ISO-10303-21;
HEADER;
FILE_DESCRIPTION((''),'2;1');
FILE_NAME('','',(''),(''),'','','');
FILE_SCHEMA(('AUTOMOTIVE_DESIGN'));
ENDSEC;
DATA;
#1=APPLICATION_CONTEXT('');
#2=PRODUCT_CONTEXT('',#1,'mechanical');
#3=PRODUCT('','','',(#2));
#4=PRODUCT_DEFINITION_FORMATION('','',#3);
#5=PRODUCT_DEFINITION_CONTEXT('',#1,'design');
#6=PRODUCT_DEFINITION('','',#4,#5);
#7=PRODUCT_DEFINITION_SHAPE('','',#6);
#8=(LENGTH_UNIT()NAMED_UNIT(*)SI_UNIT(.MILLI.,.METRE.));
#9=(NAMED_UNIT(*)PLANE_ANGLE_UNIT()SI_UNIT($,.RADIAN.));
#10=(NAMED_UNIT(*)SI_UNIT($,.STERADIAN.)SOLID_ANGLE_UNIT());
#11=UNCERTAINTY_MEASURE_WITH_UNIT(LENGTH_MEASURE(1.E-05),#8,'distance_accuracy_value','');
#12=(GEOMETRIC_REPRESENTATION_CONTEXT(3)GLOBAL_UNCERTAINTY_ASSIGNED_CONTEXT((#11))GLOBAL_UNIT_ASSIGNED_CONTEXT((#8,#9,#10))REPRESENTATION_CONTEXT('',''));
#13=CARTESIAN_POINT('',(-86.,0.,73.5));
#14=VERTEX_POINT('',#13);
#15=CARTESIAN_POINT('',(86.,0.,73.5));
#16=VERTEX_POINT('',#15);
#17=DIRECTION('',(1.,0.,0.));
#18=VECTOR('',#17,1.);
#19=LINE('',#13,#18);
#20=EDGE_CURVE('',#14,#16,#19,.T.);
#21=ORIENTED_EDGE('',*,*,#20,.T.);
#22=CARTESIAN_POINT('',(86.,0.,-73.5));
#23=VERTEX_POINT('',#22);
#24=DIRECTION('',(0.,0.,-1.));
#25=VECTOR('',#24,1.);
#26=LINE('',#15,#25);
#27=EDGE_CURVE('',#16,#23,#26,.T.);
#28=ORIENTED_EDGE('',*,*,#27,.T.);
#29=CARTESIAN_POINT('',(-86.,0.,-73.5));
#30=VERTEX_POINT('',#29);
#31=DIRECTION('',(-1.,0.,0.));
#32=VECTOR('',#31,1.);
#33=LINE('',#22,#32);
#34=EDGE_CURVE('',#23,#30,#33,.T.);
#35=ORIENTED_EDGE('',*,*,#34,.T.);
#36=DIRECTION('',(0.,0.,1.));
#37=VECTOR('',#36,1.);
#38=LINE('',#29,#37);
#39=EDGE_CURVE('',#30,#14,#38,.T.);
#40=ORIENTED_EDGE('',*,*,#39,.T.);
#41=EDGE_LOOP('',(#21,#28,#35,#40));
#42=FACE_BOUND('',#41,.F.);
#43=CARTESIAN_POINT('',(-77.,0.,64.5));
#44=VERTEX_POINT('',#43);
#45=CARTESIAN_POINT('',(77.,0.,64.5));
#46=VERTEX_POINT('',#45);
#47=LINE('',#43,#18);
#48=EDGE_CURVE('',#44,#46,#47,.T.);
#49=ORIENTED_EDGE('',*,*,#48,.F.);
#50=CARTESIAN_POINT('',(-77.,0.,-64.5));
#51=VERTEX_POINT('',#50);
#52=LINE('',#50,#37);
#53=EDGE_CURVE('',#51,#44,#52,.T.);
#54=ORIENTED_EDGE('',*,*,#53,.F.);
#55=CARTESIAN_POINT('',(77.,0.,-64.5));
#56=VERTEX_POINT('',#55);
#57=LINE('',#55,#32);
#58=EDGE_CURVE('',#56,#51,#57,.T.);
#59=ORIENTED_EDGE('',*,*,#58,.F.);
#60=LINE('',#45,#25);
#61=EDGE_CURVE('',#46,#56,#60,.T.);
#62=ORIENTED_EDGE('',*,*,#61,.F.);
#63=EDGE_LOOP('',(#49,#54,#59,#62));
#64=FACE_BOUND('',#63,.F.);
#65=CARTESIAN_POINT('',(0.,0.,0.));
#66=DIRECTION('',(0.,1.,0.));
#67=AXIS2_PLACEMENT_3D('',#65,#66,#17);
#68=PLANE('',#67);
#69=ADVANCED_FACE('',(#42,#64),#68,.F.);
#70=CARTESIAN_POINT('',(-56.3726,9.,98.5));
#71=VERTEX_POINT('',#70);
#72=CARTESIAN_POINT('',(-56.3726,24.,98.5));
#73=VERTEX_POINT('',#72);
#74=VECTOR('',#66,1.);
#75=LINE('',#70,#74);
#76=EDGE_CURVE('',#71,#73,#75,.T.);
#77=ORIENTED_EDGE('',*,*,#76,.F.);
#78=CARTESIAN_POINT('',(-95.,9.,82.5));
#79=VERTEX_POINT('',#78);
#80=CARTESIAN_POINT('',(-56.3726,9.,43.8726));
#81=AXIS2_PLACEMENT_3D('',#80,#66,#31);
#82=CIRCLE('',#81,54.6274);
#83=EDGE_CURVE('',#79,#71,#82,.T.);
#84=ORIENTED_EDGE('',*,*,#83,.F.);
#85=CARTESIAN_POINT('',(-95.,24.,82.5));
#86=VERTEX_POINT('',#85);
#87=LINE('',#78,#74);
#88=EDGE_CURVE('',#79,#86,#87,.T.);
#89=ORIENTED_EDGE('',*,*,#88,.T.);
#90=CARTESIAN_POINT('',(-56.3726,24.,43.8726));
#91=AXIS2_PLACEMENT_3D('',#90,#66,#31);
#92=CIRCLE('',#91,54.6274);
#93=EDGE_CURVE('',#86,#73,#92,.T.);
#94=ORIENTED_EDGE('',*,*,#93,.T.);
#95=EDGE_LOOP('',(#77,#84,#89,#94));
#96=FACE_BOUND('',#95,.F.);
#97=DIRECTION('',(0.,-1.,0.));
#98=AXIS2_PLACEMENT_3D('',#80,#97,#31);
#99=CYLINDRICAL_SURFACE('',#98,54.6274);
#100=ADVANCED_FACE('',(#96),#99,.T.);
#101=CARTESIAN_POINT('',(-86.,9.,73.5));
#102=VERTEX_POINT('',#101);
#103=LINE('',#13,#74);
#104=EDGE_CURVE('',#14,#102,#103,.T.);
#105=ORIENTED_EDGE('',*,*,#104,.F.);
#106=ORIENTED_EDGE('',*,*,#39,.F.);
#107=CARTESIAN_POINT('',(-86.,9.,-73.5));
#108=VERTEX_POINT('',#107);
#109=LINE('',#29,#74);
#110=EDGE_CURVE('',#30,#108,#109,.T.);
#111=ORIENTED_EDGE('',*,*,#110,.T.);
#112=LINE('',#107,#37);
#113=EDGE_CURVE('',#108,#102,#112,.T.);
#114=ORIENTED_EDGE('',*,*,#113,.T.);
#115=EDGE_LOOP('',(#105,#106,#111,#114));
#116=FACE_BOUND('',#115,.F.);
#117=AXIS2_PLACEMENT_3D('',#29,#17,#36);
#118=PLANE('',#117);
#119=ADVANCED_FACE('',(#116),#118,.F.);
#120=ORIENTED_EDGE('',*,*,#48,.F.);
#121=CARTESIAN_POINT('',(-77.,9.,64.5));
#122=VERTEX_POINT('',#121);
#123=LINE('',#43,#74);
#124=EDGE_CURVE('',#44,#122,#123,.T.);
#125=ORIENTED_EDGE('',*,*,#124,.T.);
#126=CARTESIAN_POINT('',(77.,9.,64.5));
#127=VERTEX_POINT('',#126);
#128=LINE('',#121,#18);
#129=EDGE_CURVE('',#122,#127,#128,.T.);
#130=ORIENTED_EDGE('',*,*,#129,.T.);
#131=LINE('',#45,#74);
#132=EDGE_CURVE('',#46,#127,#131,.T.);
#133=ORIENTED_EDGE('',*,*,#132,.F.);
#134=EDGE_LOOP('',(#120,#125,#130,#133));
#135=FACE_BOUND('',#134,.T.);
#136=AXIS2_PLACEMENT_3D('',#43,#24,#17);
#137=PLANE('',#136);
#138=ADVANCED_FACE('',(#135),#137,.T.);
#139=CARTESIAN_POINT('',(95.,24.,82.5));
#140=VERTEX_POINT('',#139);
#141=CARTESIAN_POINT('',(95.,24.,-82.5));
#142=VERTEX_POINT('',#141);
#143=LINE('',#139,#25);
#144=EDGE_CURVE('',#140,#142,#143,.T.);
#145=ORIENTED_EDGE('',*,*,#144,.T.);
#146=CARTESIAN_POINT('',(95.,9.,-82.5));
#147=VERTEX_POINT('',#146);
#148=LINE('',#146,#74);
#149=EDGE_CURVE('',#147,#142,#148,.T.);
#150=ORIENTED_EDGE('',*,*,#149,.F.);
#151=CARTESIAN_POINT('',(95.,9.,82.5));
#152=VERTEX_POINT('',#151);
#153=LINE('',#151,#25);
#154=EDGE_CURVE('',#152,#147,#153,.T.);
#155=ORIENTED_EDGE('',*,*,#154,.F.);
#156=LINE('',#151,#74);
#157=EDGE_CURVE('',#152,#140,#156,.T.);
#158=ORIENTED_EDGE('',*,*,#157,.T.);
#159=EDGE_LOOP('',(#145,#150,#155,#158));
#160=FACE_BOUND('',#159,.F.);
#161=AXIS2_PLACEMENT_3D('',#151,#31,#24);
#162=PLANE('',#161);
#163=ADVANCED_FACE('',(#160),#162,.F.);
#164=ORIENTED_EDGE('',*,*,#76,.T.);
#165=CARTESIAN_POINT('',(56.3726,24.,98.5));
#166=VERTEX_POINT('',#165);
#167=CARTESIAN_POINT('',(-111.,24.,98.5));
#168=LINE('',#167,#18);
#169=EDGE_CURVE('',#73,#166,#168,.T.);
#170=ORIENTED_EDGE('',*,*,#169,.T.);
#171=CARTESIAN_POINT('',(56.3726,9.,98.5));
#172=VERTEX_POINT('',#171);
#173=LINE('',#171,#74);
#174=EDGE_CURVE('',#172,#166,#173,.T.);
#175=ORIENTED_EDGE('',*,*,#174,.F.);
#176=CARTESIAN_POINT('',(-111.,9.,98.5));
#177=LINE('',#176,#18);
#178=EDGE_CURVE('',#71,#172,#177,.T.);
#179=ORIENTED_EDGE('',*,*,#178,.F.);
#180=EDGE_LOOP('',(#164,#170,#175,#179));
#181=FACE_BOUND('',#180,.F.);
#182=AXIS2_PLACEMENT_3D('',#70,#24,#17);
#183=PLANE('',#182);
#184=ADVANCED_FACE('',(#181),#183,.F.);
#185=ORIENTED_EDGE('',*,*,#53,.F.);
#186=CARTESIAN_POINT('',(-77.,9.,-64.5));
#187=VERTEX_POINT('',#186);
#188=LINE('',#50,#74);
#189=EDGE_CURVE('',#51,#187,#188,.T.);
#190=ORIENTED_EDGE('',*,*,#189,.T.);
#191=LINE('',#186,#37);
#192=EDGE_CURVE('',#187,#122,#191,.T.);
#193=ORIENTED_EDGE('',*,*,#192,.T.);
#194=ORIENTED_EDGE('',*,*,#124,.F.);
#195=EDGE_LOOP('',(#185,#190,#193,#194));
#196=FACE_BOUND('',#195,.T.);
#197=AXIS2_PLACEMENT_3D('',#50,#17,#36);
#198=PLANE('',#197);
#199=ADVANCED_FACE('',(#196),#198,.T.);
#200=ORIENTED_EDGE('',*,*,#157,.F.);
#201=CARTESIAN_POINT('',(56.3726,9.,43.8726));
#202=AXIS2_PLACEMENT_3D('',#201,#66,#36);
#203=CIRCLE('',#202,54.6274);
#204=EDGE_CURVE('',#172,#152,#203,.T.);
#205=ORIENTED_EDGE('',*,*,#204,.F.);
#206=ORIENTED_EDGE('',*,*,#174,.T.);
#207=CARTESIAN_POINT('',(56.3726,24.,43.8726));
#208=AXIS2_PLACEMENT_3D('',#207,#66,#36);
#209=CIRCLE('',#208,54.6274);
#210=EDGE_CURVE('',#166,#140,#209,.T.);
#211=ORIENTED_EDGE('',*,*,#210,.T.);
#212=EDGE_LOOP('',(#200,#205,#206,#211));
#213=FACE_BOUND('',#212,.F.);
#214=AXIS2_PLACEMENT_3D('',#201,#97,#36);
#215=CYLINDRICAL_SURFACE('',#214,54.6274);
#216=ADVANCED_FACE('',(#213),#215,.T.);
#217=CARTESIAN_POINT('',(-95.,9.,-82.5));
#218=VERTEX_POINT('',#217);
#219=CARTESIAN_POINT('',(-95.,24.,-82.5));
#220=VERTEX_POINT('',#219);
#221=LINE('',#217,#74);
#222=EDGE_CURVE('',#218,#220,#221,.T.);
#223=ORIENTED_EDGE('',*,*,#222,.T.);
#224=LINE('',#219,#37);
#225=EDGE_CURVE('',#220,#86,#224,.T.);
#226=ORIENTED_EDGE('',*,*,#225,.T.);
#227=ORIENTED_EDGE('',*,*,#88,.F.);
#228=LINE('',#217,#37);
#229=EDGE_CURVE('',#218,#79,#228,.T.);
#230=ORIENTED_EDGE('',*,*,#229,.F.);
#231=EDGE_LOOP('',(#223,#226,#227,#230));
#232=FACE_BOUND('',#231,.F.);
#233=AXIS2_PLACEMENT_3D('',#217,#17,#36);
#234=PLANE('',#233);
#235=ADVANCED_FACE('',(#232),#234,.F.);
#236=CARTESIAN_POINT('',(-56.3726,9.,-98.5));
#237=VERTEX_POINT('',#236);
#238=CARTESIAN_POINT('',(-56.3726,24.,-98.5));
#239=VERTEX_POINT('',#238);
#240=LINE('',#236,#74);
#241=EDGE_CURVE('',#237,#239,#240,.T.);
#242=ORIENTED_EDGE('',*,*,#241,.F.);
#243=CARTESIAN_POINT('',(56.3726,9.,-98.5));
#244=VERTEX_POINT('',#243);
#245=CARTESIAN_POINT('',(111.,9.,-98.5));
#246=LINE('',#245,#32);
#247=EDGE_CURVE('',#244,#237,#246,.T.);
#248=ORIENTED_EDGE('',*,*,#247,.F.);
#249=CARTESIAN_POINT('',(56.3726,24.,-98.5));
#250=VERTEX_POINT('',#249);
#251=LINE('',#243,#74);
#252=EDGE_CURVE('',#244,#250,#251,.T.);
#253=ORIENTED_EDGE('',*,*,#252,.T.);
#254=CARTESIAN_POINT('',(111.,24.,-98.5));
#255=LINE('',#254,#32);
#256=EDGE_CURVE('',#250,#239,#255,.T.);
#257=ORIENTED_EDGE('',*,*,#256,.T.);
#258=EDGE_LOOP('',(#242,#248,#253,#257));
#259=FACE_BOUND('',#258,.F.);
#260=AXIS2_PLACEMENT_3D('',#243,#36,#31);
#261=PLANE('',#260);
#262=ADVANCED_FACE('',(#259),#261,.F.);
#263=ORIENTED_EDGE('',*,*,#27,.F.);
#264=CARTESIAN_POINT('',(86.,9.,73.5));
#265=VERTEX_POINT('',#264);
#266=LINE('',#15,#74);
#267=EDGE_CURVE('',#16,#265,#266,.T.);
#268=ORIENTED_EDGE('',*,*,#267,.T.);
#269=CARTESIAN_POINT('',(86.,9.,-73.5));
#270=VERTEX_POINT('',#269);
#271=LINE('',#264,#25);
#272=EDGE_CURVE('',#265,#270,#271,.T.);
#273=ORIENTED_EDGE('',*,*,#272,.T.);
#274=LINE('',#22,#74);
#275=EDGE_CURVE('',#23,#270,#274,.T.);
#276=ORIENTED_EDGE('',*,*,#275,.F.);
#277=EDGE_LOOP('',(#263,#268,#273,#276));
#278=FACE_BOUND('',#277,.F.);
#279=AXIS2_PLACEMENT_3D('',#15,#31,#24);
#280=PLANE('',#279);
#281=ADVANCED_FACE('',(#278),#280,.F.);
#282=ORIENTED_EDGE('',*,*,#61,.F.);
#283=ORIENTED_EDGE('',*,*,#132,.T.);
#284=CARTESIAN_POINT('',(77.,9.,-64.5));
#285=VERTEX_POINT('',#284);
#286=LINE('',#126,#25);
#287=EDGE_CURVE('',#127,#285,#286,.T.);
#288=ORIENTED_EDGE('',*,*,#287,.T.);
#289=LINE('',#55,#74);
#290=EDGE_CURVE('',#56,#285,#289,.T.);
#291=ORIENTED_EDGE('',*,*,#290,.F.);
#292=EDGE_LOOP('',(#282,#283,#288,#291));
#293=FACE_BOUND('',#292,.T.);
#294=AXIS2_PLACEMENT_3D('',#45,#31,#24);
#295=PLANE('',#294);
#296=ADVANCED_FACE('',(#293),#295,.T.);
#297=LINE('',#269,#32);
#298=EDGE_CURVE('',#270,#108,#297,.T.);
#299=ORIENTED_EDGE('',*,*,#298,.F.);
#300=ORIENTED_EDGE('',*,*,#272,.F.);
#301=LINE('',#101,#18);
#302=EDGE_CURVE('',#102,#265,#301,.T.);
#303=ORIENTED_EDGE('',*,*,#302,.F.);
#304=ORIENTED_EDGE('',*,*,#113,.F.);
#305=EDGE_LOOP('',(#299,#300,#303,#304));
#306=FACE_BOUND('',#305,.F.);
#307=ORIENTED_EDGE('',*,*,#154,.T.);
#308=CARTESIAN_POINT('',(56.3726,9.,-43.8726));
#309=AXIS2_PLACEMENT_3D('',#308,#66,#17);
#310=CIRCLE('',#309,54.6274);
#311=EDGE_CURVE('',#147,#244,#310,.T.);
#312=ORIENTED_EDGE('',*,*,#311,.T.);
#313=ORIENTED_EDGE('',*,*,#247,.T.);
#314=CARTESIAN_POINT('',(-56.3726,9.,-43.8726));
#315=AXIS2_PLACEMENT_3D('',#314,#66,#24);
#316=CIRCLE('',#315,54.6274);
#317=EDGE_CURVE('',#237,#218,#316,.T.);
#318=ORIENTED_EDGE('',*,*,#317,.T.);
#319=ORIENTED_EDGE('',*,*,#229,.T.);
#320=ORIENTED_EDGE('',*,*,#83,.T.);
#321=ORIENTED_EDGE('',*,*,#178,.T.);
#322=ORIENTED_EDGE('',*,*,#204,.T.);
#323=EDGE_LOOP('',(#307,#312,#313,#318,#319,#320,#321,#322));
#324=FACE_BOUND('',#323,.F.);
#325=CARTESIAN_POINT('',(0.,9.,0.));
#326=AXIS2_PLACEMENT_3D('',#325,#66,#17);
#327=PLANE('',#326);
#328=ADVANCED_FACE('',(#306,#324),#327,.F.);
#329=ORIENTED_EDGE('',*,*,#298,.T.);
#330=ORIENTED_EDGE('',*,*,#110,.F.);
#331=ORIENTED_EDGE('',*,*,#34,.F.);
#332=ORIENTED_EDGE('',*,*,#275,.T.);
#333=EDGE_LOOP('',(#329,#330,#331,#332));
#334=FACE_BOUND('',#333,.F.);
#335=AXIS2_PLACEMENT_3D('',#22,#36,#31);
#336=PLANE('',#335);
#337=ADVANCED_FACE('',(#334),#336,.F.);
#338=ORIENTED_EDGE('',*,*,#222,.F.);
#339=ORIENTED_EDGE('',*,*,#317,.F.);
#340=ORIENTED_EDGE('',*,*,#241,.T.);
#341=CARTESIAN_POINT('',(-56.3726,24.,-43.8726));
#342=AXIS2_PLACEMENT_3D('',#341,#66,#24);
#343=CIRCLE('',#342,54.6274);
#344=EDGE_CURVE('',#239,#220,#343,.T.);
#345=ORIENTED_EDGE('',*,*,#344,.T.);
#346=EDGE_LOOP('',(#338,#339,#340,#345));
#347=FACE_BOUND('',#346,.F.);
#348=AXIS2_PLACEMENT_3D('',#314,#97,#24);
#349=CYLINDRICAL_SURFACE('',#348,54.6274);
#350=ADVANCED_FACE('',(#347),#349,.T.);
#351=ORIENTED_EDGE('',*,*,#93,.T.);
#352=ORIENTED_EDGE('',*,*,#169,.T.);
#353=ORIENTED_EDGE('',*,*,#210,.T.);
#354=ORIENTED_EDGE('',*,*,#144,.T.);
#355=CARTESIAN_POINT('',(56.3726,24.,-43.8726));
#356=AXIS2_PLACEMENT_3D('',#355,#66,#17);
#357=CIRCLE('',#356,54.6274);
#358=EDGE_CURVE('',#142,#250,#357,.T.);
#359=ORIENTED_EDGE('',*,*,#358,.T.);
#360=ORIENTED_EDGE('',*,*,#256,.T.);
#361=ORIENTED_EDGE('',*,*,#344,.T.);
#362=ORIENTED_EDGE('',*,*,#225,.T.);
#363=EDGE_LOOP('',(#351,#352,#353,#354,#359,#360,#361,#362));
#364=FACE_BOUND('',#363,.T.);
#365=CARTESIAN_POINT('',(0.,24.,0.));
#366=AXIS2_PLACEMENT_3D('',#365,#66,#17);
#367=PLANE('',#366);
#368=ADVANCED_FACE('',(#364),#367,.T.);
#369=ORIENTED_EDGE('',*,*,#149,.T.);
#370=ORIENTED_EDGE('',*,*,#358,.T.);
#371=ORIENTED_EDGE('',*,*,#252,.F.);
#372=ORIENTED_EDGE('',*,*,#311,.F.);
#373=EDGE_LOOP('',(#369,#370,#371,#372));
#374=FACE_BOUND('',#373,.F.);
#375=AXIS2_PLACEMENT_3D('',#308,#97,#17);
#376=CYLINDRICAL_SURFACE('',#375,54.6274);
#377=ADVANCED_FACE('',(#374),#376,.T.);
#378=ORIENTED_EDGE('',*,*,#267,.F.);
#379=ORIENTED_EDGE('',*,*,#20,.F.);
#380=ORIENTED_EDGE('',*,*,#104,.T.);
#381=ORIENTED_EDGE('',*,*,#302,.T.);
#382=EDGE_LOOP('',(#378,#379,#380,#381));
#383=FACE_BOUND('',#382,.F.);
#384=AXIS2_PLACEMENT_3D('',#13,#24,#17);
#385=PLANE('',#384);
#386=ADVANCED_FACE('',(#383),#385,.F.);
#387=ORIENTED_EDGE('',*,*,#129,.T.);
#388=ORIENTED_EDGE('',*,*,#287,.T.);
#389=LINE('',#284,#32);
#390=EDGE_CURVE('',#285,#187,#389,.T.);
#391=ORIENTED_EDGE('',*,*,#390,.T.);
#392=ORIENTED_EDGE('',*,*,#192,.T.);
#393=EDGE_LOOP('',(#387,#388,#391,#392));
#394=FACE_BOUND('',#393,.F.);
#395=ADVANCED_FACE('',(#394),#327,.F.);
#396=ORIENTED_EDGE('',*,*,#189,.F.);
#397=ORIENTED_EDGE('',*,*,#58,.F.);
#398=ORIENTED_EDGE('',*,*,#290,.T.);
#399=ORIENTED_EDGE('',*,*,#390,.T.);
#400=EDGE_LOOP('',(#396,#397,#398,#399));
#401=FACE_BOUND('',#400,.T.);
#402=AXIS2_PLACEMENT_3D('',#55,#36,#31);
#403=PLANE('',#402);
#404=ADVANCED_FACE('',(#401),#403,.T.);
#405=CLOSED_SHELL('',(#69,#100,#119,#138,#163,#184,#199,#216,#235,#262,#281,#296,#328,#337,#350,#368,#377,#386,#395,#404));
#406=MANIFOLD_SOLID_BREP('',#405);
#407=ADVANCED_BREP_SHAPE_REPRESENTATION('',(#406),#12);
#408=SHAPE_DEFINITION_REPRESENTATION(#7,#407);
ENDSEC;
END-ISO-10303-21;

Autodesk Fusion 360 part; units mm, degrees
sketch "Sketch1" plane through (0, 0, 0) normal (0, 1, 0) x (1, 0, 0)
  line L0 (86, 73.5) -> (-86, 73.5)
  line L1 (-86, 73.5) -> (-86, -73.5)
  line L2 (-86, -73.5) -> (86, -73.5)
  line L3 (86, -73.5) -> (86, 73.5)
  line L4 (86, 73.5) -> (-86, -73.5) construction
  line L5 (-86, 73.5) -> (86, -73.5) construction
  line L6 (-77, -64.5) -> (77, -64.5)
  line L7 (77, -64.5) -> (77, 64.5)
  line L8 (77, 64.5) -> (-77, 64.5)
  line L9 (-77, 64.5) -> (-77, -64.5)
  line L10 (102, -89.5) -> (102, 89.5)
  line L11 (102, 89.5) -> (-102, 89.5)
  line L12 (-102, 89.5) -> (-102, -89.5)
  line L13 (-102, -89.5) -> (102, -89.5)
  dimension "d1" = 172
  dimension "d6" = 147
  dimension "d15" = 16
extrude "Extrude1" add sketch "Sketch1" along normal blind 9 contours L0 L1 L2 L3
ref_plane "WorkPlane1" through (0, 9, 0) normal (0, 1, 0) x (0, 0, 1)
sketch "Sketch2" plane through (0, 9, 0) normal (0, 1, 0) x (1, 0, 0)
  line L0 (-77, -64.5) -> (-77, 64.5)
  line L1 (-77, 64.5) -> (77, 64.5)
  line L2 (77, 64.5) -> (77, -64.5)
  line L3 (77, -64.5) -> (-77, -64.5)
  line L4 (86, -73.5) -> (86, 73.5)
  line L5 (86, 73.5) -> (-86, 73.5)
  line L6 (-86, 73.5) -> (-86, -73.5)
  line L7 (-86, -73.5) -> (86, -73.5)
  line L8 (95, -82.5) -> (95, 82.5)
  line L9 (95, 82.5) -> (-95, 82.5)
  line L10 (-95, 82.5) -> (-95, -82.5)
  line L11 (-95, -82.5) -> (95, -82.5)
  line L12 (-111, -98.5) -> (111, -98.5)
  line L13 (111, -98.5) -> (111, 98.5)
  line L14 (111, 98.5) -> (-111, 98.5)
  line L15 (-111, 98.5) -> (-111, -98.5)
  arc A0 (-56.3726, 98.5) -> (-111, 43.8726) centre (-56.3726, 43.8726) ccw
  arc A1 (-111, -43.8726) -> (-56.3726, -98.5) centre (-56.3726, -43.8726) ccw
  arc A2 (56.3726, -98.5) -> (111, -43.8726) centre (56.3726, -43.8726) ccw
  arc A3 (111, 43.8726) -> (56.3726, 98.5) centre (56.3726, 43.8726) ccw
  dimension "d11" = 9
  dimension "d16" = 25
extrude "Extrude2" add sketch "Sketch2" along normal blind 15 contours L0 L1 L2 L3 | L4 L5 L6 L7 | L8 L9 L10 L11 | L11 L12 A1 A2 | L9 L14 A0 A3
equation "d1 = CaseLength - 2 * SideWidth"
equation "CaseLength = 190 mm"
equation "CaseWidth = 165 mm"
equation "SideWidth = 9 mm"
equation "PanelHeight = 15 mm"
equation "d6 = CaseWidth - 2 * SideWidth"
equation "d7 = -SideWidth"
equation "d8 = SideWidth"
equation "d10 = SideWidth"
equation "d11 = SideWidth"
equation "d12 = PanelHeight"
equation "FlangeWidth = 16 mm"
equation "d15 = FlangeWidth"
equation "d16 = SideWidth + FlangeWidth"
